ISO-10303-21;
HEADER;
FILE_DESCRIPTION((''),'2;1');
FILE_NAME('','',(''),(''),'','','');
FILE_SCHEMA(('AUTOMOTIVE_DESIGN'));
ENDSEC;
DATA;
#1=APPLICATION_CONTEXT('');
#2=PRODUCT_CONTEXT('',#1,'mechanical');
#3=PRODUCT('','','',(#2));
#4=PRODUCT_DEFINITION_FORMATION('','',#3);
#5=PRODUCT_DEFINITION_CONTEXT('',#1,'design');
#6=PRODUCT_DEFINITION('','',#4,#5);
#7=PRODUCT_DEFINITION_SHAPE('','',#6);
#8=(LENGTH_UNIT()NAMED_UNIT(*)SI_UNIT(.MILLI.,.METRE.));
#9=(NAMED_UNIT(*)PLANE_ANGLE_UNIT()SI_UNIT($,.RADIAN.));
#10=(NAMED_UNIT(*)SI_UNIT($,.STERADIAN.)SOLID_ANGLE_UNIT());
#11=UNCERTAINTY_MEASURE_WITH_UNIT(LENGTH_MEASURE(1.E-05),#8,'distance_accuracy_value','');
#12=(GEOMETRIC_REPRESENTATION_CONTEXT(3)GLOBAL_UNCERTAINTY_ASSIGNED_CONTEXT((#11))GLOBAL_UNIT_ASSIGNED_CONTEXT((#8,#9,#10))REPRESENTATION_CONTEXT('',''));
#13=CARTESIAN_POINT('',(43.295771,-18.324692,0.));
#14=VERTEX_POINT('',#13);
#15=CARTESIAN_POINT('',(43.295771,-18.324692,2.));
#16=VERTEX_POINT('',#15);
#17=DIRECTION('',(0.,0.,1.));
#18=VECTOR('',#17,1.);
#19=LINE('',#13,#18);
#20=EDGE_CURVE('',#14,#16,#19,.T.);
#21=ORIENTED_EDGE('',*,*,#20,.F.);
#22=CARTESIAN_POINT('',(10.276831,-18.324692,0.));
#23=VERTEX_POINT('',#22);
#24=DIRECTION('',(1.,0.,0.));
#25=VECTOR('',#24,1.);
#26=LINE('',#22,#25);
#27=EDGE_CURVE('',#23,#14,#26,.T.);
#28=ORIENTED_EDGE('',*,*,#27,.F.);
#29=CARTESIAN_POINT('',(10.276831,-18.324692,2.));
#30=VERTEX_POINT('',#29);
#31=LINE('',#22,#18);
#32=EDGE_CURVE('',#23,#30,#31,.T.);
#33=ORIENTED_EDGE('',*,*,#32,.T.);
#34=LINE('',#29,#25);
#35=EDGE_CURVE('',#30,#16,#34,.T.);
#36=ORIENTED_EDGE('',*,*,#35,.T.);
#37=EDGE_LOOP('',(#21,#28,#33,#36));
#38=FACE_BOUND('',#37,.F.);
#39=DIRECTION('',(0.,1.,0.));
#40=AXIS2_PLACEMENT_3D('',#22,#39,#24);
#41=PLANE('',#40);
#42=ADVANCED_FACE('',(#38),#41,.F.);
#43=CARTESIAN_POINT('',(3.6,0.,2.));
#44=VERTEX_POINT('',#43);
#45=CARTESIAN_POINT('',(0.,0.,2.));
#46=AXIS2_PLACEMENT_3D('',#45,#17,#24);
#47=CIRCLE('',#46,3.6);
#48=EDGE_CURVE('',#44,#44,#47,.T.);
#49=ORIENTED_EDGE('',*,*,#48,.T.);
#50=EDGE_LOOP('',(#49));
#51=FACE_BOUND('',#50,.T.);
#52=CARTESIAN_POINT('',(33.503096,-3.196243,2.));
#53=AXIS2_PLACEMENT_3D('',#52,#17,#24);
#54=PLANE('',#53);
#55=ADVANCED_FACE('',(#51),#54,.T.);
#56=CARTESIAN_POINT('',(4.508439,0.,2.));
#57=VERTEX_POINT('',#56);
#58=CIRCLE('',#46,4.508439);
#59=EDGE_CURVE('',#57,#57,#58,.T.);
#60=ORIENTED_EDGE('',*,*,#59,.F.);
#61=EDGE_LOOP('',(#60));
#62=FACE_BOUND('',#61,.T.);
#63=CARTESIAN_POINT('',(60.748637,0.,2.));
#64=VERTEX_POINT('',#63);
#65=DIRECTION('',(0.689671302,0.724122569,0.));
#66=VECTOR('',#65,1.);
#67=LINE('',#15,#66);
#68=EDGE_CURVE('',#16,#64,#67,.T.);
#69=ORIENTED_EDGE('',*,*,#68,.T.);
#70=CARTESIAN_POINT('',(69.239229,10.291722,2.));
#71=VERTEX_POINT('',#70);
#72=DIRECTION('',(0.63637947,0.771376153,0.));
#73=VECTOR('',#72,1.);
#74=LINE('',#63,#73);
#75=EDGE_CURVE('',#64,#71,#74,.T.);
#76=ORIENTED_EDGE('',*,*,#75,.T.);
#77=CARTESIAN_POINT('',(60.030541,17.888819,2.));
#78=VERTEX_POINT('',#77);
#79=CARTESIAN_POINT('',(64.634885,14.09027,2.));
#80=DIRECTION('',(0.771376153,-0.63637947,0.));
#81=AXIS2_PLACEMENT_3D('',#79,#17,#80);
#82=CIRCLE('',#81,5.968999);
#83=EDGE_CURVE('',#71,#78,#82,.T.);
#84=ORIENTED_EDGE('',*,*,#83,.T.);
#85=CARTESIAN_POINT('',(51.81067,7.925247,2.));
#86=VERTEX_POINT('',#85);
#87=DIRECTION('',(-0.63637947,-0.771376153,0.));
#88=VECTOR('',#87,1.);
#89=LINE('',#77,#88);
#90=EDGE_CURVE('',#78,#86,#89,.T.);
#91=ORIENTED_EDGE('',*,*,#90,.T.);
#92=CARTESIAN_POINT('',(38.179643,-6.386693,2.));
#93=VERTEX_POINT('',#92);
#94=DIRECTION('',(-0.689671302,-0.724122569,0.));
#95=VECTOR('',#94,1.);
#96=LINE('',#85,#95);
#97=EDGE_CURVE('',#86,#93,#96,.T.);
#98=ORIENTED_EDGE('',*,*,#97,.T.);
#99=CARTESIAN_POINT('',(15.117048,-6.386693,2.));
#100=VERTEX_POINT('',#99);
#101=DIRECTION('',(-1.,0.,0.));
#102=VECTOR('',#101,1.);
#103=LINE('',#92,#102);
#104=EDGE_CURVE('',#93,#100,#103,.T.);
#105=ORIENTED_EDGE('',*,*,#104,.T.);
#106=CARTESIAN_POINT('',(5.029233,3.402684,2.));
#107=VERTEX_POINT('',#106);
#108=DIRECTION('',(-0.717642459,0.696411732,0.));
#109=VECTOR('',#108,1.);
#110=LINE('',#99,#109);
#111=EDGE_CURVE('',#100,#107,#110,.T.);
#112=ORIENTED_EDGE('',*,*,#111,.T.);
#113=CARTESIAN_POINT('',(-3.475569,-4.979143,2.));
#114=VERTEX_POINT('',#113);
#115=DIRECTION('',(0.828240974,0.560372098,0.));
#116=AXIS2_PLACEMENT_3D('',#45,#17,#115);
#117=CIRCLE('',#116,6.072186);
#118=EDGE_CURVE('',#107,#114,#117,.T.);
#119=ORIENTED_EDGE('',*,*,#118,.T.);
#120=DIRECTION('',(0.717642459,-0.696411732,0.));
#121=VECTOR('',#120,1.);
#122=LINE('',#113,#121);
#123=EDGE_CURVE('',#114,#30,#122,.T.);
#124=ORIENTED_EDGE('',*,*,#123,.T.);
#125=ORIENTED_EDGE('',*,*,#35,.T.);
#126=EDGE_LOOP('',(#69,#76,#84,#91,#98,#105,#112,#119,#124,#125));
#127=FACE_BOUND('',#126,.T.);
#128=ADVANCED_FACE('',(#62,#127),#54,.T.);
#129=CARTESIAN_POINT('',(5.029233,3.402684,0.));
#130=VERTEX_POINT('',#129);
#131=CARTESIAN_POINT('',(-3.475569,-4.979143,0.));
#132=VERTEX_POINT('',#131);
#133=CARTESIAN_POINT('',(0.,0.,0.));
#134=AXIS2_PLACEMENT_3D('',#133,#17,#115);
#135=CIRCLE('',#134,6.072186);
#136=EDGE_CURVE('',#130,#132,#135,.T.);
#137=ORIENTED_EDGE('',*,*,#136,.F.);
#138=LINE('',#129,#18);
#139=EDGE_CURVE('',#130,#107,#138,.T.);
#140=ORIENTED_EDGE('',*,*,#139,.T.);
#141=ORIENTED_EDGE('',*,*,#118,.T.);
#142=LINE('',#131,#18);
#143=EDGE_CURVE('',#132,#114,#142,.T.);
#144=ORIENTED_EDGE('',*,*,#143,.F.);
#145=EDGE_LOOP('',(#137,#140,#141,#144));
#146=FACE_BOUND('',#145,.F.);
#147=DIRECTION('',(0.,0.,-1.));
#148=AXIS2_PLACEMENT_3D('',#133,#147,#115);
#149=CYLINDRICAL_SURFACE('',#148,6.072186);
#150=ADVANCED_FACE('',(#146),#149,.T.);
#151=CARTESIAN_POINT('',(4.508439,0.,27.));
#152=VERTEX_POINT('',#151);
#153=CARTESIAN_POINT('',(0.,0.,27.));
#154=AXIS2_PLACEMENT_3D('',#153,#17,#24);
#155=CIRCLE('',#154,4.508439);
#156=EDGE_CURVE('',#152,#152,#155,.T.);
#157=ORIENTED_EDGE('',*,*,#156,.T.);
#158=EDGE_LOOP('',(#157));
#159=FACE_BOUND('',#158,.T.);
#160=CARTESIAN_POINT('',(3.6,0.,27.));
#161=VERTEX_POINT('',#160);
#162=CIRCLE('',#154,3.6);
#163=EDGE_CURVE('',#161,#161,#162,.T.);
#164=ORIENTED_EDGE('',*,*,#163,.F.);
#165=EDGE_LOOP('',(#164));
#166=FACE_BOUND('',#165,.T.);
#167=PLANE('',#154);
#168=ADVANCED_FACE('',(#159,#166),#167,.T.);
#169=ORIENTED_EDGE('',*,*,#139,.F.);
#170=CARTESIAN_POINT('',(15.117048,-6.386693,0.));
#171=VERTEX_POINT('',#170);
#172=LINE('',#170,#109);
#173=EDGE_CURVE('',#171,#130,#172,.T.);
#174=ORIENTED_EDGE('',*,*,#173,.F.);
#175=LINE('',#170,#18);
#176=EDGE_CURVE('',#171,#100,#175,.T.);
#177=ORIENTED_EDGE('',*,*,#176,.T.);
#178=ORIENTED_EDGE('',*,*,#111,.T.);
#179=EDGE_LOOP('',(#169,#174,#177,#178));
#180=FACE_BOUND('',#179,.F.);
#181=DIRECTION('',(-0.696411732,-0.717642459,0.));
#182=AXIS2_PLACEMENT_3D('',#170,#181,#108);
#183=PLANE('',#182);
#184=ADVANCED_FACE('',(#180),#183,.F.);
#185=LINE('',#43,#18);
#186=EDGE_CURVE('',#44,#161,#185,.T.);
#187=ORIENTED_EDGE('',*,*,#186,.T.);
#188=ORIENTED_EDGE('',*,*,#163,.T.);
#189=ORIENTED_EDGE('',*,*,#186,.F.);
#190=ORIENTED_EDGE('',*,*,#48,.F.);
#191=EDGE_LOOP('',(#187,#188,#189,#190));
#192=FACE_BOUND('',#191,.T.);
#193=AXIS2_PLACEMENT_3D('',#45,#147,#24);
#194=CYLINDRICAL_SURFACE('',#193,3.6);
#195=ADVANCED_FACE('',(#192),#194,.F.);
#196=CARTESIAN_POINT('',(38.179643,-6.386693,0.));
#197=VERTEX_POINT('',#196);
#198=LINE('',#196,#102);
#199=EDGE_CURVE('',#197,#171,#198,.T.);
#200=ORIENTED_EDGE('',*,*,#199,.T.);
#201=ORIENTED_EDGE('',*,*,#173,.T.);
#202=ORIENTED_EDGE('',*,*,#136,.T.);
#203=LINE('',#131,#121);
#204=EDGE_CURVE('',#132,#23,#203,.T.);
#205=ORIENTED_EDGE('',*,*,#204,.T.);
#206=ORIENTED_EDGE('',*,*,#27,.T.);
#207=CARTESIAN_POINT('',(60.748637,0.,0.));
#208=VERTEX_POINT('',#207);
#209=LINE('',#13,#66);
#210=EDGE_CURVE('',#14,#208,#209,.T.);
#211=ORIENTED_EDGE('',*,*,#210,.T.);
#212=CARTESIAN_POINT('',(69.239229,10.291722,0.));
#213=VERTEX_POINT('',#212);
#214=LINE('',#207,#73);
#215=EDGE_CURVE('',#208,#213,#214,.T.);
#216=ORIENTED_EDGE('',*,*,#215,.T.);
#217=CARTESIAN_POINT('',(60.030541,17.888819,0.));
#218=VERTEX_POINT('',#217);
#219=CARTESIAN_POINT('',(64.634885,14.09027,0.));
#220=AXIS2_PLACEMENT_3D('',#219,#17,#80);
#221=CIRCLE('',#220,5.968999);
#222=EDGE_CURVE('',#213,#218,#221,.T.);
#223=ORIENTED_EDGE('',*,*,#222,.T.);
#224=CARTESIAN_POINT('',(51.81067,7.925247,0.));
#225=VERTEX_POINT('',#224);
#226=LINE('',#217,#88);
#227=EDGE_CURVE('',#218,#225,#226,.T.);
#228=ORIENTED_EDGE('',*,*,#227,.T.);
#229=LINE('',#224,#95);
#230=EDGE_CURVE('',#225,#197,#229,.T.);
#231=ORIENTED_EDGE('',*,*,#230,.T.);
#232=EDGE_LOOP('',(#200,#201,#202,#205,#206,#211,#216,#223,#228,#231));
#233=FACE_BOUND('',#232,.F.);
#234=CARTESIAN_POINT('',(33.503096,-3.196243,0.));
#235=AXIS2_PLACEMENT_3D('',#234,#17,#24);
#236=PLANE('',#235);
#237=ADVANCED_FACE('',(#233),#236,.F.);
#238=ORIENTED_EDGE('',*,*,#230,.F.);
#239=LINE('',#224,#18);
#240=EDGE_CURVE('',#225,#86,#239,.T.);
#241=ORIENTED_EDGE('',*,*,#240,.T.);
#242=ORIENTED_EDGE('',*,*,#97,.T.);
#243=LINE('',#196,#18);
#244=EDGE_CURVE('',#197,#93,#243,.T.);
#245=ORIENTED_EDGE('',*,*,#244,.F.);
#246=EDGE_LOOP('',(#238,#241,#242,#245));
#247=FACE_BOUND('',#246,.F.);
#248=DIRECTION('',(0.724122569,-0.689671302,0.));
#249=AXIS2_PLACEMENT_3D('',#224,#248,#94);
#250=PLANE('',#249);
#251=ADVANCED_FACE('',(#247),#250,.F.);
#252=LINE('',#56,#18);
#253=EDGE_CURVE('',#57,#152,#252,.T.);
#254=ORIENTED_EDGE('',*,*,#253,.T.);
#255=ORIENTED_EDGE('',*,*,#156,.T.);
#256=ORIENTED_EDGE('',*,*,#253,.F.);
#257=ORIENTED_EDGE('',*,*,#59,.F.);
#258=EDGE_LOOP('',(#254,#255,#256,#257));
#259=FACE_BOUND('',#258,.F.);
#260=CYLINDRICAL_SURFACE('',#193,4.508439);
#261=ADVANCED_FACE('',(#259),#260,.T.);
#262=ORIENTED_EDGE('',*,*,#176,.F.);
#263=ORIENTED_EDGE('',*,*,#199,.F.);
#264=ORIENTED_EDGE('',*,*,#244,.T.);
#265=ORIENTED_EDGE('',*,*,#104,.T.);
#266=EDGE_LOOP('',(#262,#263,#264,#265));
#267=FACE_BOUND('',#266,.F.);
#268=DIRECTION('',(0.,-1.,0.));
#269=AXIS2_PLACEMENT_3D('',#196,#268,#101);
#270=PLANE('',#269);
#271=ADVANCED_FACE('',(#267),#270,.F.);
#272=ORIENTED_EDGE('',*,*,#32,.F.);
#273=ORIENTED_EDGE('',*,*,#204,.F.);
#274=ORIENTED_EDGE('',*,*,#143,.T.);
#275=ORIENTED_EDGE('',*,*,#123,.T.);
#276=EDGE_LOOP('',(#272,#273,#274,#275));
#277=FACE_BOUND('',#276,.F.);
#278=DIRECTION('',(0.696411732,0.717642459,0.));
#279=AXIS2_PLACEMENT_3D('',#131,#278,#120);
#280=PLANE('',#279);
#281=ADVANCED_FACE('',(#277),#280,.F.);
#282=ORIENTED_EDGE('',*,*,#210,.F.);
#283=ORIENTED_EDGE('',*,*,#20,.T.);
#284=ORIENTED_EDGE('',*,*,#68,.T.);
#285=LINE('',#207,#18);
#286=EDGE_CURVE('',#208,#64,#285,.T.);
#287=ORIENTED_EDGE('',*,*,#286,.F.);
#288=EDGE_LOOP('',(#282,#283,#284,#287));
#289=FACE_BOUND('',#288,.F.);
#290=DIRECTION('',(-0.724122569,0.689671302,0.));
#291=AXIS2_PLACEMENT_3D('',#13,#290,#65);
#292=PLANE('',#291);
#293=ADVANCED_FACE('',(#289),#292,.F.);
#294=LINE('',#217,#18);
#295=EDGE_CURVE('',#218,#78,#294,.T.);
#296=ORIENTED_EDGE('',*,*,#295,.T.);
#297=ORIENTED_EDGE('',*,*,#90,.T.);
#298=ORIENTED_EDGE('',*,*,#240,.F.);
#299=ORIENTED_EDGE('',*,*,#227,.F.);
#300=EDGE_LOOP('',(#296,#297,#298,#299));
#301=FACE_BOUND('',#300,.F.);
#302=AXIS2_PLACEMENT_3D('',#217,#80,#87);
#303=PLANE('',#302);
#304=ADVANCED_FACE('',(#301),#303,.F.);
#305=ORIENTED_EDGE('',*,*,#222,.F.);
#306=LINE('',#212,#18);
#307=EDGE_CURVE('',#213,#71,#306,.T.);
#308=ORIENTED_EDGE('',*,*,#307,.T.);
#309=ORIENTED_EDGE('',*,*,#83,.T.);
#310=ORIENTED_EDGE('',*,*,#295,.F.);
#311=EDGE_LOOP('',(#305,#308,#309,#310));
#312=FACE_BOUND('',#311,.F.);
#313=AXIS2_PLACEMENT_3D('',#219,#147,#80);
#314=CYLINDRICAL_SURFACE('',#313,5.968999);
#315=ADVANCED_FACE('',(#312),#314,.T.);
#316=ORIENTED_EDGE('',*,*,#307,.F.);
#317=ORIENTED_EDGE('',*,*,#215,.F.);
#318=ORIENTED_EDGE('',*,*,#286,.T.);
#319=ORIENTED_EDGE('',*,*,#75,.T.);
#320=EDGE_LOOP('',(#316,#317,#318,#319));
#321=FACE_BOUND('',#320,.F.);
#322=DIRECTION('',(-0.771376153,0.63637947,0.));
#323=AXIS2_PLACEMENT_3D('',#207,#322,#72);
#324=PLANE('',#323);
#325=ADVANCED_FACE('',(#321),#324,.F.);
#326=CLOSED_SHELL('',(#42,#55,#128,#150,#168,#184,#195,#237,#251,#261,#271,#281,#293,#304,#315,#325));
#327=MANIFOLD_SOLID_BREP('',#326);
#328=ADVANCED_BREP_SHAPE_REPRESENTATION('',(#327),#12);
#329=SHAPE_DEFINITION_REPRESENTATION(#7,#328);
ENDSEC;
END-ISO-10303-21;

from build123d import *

# Parameters (mm, degrees)
F0_R     = 4.5069979882
F0_R_2   = 3.6
F1_DEPTH = 2
F2_R     = 4.5084392358
F2_R_2   = 3.6
F3_DEPTH = 25


with BuildPart() as f1:
    # F0 (on Top) → F1 (new body)
    with BuildSketch(Plane.XY):
        with BuildLine():
            Line((15.1170478072, -6.3866931466), (5.0292332489, 3.4026836074))
            ThreePointArc((5.0292332489, 3.4026836074), (-4.2623022023, 4.324837886), (-3.4755694127, -4.9791425026))
            Line((-3.4755694127, -4.9791425026), (10.2768307552, -18.3246918023))
            Line((10.2768307552, -18.3246918023), (43.2957708836, -18.3246918023))
            Line((43.2957708836, -18.3246918023), (60.7486367226, 0))
            Line((60.7486367226, 0), (69.2392289639, 10.2917216718))
            ThreePointArc((69.2392289639, 10.2917216718), (68.4334338515, 18.6946140422), (60.0305414811, 17.8888189299))
            Line((60.0305414811, 17.8888189299), (51.8106704537, 7.9252472039))
            Line((51.8106704537, 7.9252472039), (38.1796431203, -6.3866931466))
            Line((38.1796431203, -6.3866931466), (15.1170478072, -6.3866931466))
        make_face()
        Circle(F0_R, mode=Mode.SUBTRACT)
        Circle(F0_R)
        Circle(F0_R_2, mode=Mode.SUBTRACT)
        Circle(F0_R_2)
    extrude(amount=F1_DEPTH)

    # F2 (on face) → F3 (join)
    with BuildSketch(Plane.XY.offset(2)):
        Circle(F2_R)
        Circle(F2_R_2, mode=Mode.SUBTRACT)
    extrude(amount=F3_DEPTH)


solid = f1.part
